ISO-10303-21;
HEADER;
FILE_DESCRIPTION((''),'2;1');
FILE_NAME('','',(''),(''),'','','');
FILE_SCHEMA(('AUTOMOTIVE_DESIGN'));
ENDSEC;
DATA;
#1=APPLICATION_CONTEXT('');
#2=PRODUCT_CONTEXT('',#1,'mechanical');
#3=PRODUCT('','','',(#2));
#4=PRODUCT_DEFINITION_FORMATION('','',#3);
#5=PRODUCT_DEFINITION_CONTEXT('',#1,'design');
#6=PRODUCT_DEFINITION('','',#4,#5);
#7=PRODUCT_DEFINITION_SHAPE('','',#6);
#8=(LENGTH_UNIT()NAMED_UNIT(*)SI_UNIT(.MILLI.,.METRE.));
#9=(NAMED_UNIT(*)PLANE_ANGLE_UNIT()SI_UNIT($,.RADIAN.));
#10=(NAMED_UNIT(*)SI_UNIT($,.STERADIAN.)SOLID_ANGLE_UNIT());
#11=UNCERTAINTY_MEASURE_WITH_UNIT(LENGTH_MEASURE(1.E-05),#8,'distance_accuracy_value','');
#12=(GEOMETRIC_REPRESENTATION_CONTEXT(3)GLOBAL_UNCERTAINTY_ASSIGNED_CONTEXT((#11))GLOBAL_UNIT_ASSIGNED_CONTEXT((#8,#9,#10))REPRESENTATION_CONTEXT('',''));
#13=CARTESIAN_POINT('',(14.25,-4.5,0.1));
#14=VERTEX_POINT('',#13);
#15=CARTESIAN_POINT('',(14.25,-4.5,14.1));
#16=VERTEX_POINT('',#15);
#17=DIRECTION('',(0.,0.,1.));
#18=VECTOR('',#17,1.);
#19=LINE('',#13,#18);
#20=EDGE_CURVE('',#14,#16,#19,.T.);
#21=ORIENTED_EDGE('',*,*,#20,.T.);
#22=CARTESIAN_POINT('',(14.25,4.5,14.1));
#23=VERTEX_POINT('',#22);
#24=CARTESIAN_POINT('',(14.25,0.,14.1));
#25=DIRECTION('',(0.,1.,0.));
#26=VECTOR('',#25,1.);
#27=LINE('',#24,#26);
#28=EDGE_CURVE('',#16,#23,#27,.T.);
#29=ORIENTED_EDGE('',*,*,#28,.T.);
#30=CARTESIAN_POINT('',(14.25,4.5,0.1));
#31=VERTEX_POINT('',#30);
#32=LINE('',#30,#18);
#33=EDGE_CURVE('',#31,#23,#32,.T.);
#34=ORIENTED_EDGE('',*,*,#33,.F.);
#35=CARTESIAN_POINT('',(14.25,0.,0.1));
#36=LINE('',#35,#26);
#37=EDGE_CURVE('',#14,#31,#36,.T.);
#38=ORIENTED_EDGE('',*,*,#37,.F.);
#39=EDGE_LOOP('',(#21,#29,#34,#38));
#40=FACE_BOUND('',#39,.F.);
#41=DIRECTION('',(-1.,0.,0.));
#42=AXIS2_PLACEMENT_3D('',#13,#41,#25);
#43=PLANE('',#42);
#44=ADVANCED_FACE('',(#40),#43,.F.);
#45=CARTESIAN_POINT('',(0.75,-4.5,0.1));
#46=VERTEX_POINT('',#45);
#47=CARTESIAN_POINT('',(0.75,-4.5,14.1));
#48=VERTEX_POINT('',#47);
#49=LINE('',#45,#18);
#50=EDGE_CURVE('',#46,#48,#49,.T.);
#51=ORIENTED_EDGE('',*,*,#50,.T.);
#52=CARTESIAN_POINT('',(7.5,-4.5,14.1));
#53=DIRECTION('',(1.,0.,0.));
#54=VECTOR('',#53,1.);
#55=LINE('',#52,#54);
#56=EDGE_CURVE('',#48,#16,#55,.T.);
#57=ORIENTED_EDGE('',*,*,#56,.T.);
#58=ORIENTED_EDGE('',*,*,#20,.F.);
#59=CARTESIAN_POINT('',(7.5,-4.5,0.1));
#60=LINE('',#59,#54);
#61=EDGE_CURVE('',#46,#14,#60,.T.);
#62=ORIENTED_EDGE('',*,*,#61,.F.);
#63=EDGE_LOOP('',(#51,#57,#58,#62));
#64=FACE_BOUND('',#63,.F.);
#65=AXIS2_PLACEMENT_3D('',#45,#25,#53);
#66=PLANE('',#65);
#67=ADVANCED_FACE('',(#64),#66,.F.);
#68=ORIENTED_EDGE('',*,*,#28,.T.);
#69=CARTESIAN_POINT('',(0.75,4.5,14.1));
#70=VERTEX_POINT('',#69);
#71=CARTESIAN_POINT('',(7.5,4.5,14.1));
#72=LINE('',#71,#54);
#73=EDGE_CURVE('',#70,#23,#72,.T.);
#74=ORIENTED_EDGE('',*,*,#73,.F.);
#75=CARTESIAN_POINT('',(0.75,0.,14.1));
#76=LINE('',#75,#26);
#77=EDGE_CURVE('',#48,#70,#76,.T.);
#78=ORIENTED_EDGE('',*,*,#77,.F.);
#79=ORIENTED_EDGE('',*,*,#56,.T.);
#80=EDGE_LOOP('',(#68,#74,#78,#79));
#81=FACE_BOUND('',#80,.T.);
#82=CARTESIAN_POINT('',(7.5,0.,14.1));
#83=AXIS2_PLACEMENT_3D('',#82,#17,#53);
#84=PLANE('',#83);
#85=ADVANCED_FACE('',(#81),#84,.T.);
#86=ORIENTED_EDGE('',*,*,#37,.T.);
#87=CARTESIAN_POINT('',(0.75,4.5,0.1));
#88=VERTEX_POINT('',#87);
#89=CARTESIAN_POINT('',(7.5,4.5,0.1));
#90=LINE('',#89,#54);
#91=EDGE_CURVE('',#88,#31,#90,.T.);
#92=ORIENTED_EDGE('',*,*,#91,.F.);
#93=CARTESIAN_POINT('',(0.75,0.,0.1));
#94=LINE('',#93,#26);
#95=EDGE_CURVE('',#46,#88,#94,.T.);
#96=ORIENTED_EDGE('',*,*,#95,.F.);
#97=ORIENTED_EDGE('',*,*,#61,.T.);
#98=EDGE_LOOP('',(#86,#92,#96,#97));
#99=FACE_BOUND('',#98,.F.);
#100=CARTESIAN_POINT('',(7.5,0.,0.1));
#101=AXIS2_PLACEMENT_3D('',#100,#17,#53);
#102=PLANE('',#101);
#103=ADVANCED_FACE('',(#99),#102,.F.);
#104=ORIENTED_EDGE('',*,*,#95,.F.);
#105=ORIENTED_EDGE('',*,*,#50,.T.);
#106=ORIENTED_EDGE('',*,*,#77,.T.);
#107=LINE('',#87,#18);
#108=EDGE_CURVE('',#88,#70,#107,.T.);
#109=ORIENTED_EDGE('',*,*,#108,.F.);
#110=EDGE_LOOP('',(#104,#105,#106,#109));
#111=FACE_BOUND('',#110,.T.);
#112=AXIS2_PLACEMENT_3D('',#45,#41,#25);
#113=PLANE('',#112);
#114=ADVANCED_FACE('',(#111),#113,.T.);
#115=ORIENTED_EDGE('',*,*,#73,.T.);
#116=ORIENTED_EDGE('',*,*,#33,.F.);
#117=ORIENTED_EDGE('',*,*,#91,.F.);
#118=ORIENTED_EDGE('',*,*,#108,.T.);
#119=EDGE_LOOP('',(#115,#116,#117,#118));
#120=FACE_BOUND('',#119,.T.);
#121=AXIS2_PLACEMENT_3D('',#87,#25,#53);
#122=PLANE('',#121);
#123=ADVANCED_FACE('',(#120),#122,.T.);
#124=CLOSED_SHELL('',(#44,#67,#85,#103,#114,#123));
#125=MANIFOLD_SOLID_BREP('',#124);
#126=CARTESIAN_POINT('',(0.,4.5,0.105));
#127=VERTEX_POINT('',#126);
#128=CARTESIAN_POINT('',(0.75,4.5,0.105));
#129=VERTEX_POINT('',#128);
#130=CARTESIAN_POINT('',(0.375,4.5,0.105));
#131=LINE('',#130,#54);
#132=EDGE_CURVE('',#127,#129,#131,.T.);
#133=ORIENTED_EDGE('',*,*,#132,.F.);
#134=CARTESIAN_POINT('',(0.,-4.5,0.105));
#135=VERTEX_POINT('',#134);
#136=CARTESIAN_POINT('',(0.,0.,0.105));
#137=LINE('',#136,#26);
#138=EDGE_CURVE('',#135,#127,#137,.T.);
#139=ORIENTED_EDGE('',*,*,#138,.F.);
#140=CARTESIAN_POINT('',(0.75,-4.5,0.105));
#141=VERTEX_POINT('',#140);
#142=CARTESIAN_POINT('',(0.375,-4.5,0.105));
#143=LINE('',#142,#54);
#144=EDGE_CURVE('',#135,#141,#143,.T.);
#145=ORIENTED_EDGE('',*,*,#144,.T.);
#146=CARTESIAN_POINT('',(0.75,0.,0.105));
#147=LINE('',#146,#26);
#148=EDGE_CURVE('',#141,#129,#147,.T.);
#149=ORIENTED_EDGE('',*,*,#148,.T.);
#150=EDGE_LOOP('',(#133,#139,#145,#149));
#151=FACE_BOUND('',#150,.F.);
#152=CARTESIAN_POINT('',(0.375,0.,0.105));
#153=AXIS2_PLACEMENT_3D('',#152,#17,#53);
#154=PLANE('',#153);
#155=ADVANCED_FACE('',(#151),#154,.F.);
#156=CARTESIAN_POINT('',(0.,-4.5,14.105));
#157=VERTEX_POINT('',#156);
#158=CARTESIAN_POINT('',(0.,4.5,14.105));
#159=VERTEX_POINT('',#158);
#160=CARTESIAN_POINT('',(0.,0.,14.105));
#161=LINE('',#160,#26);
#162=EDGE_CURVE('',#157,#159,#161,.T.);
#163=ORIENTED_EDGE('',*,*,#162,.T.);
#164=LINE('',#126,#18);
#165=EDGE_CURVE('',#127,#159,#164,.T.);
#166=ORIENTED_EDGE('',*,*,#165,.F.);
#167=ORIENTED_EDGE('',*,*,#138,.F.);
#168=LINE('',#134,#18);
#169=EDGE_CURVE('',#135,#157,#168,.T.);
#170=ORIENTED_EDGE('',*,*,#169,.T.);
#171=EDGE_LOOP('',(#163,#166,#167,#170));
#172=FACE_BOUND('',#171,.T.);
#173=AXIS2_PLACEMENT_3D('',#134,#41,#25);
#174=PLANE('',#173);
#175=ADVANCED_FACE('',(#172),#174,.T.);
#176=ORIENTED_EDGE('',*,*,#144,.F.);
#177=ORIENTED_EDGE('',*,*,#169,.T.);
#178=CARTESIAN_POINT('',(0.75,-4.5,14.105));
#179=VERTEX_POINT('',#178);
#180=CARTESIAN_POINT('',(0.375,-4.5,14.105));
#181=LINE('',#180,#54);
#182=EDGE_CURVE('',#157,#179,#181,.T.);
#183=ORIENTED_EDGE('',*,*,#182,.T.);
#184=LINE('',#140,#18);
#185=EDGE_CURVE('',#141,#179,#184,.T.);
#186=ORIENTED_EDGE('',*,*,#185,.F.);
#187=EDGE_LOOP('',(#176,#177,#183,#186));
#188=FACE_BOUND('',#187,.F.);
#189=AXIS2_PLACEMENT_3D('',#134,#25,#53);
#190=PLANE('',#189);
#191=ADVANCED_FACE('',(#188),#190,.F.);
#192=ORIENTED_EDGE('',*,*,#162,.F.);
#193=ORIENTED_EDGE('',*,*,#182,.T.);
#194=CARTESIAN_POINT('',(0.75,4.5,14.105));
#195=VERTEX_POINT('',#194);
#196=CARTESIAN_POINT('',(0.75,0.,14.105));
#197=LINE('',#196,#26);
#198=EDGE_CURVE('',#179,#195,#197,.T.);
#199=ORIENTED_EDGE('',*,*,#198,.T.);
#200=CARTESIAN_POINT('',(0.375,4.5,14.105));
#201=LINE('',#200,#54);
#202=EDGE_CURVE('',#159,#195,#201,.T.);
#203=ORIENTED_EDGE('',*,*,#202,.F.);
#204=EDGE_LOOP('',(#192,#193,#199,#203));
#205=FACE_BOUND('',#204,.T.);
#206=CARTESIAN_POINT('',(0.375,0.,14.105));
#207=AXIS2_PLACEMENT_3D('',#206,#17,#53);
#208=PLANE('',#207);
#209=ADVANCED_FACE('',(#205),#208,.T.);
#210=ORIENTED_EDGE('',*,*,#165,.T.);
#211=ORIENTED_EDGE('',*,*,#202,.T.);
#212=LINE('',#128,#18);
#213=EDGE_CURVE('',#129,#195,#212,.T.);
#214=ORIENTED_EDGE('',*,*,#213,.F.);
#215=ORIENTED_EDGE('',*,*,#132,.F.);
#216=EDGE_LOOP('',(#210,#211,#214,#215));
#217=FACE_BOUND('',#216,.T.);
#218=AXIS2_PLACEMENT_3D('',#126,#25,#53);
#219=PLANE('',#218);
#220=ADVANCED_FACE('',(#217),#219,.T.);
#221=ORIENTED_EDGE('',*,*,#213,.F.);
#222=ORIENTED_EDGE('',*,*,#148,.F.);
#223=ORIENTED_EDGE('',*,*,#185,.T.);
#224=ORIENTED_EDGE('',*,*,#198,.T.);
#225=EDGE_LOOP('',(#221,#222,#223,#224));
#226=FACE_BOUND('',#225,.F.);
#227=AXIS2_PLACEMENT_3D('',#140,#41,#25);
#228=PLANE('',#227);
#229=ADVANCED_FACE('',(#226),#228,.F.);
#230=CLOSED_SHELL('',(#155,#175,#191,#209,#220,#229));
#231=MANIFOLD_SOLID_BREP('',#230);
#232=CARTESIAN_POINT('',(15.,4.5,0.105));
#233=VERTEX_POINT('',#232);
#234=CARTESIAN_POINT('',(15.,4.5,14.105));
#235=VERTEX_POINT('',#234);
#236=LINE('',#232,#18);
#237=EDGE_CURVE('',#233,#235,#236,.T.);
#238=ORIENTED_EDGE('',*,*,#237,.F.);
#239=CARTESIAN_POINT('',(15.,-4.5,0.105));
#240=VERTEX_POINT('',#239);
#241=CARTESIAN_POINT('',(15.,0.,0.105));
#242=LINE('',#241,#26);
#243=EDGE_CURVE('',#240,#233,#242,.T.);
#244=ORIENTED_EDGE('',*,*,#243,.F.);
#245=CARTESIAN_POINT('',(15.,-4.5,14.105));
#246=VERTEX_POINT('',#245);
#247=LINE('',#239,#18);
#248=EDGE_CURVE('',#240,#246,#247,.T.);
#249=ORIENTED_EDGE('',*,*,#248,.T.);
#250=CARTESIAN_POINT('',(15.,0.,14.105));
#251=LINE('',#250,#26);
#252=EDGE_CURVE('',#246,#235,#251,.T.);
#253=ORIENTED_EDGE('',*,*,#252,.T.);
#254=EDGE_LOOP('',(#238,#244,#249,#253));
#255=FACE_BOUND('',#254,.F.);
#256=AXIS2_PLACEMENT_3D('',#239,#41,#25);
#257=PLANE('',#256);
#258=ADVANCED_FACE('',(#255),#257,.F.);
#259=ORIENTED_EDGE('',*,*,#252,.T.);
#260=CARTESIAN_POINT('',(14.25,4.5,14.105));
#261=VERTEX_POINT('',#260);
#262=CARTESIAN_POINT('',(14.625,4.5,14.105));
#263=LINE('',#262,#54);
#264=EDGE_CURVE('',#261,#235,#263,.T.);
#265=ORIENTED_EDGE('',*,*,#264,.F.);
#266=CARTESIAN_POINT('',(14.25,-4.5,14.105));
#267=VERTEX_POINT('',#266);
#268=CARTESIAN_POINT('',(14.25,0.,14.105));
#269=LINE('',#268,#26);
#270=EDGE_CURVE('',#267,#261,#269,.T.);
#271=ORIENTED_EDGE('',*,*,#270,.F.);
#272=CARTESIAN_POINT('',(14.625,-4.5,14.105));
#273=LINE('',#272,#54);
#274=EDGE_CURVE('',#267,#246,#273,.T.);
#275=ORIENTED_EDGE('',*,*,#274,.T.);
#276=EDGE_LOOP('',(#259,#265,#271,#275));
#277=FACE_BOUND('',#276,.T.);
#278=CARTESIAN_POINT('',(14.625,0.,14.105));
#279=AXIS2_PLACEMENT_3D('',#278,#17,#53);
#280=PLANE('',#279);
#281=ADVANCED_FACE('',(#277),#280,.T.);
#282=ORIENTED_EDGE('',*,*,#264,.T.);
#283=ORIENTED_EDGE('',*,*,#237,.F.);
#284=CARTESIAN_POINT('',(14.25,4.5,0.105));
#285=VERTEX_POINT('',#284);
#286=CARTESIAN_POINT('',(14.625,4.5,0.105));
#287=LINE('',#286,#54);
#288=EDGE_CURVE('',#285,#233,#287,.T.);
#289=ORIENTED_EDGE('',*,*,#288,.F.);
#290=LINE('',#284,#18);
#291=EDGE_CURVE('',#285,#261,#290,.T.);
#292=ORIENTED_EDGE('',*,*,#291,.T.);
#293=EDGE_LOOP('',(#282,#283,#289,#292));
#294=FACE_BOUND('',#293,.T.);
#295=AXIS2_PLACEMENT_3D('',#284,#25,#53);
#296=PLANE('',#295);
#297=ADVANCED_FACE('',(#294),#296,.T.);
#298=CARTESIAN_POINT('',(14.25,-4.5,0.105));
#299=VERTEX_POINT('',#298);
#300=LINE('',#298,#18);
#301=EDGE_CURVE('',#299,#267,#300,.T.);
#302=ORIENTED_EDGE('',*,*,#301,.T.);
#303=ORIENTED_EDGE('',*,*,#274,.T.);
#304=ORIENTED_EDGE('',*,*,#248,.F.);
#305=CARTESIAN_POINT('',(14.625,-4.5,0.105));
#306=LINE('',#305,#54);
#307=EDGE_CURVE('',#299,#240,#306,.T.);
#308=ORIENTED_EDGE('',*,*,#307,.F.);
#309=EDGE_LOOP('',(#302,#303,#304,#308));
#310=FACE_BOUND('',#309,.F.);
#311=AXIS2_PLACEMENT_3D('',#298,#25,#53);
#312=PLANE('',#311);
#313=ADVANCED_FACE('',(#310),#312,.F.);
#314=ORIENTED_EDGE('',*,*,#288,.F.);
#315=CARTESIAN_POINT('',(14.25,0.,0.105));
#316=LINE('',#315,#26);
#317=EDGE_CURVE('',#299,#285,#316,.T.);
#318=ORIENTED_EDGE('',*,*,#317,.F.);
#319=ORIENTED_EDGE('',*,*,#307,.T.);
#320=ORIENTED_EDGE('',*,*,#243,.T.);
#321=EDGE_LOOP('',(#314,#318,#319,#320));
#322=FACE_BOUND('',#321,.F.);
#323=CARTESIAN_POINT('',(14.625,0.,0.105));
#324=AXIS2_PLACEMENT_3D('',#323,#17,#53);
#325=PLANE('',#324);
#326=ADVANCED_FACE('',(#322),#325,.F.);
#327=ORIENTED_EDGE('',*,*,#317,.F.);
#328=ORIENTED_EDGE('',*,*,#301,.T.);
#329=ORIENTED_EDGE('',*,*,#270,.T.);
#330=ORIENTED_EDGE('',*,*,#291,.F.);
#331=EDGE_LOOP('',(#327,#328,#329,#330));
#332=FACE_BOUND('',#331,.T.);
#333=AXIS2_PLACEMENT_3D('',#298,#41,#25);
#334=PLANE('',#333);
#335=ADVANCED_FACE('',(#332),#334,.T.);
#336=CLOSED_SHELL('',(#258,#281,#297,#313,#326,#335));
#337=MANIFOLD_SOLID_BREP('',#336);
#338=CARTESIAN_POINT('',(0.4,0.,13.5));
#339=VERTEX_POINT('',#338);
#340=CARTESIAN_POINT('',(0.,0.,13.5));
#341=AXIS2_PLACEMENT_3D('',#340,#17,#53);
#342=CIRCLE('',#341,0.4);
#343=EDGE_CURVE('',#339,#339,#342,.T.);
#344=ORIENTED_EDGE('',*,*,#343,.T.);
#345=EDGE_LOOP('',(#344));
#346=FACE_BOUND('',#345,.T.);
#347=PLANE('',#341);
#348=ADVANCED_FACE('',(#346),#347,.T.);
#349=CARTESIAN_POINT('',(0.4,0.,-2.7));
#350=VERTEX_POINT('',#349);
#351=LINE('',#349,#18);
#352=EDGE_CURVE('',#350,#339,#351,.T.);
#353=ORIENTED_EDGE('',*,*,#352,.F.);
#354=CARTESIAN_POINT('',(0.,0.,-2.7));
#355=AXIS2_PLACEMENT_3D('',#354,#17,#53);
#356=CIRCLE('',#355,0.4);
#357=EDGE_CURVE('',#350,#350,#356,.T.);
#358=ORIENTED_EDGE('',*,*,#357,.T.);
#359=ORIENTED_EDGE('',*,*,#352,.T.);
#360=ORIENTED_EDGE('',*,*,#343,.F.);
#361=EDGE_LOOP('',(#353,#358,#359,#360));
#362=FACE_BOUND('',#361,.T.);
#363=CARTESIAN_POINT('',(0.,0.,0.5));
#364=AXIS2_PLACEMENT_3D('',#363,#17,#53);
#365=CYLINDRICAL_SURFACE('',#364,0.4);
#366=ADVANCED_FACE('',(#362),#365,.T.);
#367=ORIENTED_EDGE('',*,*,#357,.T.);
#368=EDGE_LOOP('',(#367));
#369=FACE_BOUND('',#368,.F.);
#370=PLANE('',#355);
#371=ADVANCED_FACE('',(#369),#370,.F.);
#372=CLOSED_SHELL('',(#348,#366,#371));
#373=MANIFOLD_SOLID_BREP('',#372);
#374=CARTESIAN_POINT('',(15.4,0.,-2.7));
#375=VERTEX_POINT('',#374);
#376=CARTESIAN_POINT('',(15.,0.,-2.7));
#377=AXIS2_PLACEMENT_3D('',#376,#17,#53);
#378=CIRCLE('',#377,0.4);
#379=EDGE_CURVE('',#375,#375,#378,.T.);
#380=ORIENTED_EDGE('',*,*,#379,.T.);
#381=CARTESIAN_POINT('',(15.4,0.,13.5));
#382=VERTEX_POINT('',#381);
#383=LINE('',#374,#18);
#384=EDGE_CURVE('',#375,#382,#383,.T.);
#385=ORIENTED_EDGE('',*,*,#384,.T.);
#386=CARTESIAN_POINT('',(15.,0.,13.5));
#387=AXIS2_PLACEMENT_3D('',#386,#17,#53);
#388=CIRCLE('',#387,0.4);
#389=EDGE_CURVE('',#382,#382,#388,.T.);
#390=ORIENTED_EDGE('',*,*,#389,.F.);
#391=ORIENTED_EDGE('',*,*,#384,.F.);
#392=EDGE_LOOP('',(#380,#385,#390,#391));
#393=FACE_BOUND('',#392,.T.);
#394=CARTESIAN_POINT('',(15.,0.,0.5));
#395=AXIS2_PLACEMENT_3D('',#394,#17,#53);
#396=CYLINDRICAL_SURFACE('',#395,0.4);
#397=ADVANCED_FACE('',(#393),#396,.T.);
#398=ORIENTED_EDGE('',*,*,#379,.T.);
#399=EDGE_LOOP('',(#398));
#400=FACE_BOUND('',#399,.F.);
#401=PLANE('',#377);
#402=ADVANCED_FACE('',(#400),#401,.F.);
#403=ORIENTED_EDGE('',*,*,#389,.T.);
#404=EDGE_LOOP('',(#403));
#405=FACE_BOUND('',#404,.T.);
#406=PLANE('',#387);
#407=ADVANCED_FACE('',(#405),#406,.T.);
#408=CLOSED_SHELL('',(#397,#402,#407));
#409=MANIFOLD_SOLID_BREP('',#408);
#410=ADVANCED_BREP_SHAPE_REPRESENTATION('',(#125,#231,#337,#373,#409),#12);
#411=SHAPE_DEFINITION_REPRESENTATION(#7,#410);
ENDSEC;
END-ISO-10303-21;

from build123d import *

# Parameters (mm, degrees)
SKETCH_W          = 13.5
SKETCH_H          = 9
PAD_DEPTH         = 14
SKETCH001_R       = 0.4
PAD001_DEPTH      = 13
PAD001_DEPTH_BACK = 3.2
SKETCH002_W       = 0.75
SKETCH002_H       = 9
PAD002_DEPTH      = 14


with BuildPart() as pad:
    # Sketch → Pad (new body)
    with BuildSketch(Plane.XY.offset(0.1)):
        with Locations((7.5, 0)):
            Rectangle(SKETCH_W, SKETCH_H)
    extrude(amount=PAD_DEPTH)


with BuildPart() as pad001:
    # Sketch001 → Pad001 (new body, two sides)
    with BuildSketch(Plane.XY.offset(0.5)) as pad001_sk:
        Circle(SKETCH001_R)
        with Locations((15, 0)):
            Circle(SKETCH001_R)
    extrude(amount=PAD001_DEPTH)
    extrude(pad001_sk.sketch, amount=-PAD001_DEPTH_BACK)


with BuildPart() as pad002:
    # Sketch002 → Pad002 (new body)
    with BuildSketch(Plane.XY.offset(0.105)):
        with Locations((0.375, 0)):
            Rectangle(SKETCH002_W, SKETCH002_H)
        with Locations((14.625, 0)):
            Rectangle(SKETCH002_W, SKETCH002_H)
    extrude(amount=PAD002_DEPTH)


solid = Compound([pad.part, pad001.part, pad002.part])
